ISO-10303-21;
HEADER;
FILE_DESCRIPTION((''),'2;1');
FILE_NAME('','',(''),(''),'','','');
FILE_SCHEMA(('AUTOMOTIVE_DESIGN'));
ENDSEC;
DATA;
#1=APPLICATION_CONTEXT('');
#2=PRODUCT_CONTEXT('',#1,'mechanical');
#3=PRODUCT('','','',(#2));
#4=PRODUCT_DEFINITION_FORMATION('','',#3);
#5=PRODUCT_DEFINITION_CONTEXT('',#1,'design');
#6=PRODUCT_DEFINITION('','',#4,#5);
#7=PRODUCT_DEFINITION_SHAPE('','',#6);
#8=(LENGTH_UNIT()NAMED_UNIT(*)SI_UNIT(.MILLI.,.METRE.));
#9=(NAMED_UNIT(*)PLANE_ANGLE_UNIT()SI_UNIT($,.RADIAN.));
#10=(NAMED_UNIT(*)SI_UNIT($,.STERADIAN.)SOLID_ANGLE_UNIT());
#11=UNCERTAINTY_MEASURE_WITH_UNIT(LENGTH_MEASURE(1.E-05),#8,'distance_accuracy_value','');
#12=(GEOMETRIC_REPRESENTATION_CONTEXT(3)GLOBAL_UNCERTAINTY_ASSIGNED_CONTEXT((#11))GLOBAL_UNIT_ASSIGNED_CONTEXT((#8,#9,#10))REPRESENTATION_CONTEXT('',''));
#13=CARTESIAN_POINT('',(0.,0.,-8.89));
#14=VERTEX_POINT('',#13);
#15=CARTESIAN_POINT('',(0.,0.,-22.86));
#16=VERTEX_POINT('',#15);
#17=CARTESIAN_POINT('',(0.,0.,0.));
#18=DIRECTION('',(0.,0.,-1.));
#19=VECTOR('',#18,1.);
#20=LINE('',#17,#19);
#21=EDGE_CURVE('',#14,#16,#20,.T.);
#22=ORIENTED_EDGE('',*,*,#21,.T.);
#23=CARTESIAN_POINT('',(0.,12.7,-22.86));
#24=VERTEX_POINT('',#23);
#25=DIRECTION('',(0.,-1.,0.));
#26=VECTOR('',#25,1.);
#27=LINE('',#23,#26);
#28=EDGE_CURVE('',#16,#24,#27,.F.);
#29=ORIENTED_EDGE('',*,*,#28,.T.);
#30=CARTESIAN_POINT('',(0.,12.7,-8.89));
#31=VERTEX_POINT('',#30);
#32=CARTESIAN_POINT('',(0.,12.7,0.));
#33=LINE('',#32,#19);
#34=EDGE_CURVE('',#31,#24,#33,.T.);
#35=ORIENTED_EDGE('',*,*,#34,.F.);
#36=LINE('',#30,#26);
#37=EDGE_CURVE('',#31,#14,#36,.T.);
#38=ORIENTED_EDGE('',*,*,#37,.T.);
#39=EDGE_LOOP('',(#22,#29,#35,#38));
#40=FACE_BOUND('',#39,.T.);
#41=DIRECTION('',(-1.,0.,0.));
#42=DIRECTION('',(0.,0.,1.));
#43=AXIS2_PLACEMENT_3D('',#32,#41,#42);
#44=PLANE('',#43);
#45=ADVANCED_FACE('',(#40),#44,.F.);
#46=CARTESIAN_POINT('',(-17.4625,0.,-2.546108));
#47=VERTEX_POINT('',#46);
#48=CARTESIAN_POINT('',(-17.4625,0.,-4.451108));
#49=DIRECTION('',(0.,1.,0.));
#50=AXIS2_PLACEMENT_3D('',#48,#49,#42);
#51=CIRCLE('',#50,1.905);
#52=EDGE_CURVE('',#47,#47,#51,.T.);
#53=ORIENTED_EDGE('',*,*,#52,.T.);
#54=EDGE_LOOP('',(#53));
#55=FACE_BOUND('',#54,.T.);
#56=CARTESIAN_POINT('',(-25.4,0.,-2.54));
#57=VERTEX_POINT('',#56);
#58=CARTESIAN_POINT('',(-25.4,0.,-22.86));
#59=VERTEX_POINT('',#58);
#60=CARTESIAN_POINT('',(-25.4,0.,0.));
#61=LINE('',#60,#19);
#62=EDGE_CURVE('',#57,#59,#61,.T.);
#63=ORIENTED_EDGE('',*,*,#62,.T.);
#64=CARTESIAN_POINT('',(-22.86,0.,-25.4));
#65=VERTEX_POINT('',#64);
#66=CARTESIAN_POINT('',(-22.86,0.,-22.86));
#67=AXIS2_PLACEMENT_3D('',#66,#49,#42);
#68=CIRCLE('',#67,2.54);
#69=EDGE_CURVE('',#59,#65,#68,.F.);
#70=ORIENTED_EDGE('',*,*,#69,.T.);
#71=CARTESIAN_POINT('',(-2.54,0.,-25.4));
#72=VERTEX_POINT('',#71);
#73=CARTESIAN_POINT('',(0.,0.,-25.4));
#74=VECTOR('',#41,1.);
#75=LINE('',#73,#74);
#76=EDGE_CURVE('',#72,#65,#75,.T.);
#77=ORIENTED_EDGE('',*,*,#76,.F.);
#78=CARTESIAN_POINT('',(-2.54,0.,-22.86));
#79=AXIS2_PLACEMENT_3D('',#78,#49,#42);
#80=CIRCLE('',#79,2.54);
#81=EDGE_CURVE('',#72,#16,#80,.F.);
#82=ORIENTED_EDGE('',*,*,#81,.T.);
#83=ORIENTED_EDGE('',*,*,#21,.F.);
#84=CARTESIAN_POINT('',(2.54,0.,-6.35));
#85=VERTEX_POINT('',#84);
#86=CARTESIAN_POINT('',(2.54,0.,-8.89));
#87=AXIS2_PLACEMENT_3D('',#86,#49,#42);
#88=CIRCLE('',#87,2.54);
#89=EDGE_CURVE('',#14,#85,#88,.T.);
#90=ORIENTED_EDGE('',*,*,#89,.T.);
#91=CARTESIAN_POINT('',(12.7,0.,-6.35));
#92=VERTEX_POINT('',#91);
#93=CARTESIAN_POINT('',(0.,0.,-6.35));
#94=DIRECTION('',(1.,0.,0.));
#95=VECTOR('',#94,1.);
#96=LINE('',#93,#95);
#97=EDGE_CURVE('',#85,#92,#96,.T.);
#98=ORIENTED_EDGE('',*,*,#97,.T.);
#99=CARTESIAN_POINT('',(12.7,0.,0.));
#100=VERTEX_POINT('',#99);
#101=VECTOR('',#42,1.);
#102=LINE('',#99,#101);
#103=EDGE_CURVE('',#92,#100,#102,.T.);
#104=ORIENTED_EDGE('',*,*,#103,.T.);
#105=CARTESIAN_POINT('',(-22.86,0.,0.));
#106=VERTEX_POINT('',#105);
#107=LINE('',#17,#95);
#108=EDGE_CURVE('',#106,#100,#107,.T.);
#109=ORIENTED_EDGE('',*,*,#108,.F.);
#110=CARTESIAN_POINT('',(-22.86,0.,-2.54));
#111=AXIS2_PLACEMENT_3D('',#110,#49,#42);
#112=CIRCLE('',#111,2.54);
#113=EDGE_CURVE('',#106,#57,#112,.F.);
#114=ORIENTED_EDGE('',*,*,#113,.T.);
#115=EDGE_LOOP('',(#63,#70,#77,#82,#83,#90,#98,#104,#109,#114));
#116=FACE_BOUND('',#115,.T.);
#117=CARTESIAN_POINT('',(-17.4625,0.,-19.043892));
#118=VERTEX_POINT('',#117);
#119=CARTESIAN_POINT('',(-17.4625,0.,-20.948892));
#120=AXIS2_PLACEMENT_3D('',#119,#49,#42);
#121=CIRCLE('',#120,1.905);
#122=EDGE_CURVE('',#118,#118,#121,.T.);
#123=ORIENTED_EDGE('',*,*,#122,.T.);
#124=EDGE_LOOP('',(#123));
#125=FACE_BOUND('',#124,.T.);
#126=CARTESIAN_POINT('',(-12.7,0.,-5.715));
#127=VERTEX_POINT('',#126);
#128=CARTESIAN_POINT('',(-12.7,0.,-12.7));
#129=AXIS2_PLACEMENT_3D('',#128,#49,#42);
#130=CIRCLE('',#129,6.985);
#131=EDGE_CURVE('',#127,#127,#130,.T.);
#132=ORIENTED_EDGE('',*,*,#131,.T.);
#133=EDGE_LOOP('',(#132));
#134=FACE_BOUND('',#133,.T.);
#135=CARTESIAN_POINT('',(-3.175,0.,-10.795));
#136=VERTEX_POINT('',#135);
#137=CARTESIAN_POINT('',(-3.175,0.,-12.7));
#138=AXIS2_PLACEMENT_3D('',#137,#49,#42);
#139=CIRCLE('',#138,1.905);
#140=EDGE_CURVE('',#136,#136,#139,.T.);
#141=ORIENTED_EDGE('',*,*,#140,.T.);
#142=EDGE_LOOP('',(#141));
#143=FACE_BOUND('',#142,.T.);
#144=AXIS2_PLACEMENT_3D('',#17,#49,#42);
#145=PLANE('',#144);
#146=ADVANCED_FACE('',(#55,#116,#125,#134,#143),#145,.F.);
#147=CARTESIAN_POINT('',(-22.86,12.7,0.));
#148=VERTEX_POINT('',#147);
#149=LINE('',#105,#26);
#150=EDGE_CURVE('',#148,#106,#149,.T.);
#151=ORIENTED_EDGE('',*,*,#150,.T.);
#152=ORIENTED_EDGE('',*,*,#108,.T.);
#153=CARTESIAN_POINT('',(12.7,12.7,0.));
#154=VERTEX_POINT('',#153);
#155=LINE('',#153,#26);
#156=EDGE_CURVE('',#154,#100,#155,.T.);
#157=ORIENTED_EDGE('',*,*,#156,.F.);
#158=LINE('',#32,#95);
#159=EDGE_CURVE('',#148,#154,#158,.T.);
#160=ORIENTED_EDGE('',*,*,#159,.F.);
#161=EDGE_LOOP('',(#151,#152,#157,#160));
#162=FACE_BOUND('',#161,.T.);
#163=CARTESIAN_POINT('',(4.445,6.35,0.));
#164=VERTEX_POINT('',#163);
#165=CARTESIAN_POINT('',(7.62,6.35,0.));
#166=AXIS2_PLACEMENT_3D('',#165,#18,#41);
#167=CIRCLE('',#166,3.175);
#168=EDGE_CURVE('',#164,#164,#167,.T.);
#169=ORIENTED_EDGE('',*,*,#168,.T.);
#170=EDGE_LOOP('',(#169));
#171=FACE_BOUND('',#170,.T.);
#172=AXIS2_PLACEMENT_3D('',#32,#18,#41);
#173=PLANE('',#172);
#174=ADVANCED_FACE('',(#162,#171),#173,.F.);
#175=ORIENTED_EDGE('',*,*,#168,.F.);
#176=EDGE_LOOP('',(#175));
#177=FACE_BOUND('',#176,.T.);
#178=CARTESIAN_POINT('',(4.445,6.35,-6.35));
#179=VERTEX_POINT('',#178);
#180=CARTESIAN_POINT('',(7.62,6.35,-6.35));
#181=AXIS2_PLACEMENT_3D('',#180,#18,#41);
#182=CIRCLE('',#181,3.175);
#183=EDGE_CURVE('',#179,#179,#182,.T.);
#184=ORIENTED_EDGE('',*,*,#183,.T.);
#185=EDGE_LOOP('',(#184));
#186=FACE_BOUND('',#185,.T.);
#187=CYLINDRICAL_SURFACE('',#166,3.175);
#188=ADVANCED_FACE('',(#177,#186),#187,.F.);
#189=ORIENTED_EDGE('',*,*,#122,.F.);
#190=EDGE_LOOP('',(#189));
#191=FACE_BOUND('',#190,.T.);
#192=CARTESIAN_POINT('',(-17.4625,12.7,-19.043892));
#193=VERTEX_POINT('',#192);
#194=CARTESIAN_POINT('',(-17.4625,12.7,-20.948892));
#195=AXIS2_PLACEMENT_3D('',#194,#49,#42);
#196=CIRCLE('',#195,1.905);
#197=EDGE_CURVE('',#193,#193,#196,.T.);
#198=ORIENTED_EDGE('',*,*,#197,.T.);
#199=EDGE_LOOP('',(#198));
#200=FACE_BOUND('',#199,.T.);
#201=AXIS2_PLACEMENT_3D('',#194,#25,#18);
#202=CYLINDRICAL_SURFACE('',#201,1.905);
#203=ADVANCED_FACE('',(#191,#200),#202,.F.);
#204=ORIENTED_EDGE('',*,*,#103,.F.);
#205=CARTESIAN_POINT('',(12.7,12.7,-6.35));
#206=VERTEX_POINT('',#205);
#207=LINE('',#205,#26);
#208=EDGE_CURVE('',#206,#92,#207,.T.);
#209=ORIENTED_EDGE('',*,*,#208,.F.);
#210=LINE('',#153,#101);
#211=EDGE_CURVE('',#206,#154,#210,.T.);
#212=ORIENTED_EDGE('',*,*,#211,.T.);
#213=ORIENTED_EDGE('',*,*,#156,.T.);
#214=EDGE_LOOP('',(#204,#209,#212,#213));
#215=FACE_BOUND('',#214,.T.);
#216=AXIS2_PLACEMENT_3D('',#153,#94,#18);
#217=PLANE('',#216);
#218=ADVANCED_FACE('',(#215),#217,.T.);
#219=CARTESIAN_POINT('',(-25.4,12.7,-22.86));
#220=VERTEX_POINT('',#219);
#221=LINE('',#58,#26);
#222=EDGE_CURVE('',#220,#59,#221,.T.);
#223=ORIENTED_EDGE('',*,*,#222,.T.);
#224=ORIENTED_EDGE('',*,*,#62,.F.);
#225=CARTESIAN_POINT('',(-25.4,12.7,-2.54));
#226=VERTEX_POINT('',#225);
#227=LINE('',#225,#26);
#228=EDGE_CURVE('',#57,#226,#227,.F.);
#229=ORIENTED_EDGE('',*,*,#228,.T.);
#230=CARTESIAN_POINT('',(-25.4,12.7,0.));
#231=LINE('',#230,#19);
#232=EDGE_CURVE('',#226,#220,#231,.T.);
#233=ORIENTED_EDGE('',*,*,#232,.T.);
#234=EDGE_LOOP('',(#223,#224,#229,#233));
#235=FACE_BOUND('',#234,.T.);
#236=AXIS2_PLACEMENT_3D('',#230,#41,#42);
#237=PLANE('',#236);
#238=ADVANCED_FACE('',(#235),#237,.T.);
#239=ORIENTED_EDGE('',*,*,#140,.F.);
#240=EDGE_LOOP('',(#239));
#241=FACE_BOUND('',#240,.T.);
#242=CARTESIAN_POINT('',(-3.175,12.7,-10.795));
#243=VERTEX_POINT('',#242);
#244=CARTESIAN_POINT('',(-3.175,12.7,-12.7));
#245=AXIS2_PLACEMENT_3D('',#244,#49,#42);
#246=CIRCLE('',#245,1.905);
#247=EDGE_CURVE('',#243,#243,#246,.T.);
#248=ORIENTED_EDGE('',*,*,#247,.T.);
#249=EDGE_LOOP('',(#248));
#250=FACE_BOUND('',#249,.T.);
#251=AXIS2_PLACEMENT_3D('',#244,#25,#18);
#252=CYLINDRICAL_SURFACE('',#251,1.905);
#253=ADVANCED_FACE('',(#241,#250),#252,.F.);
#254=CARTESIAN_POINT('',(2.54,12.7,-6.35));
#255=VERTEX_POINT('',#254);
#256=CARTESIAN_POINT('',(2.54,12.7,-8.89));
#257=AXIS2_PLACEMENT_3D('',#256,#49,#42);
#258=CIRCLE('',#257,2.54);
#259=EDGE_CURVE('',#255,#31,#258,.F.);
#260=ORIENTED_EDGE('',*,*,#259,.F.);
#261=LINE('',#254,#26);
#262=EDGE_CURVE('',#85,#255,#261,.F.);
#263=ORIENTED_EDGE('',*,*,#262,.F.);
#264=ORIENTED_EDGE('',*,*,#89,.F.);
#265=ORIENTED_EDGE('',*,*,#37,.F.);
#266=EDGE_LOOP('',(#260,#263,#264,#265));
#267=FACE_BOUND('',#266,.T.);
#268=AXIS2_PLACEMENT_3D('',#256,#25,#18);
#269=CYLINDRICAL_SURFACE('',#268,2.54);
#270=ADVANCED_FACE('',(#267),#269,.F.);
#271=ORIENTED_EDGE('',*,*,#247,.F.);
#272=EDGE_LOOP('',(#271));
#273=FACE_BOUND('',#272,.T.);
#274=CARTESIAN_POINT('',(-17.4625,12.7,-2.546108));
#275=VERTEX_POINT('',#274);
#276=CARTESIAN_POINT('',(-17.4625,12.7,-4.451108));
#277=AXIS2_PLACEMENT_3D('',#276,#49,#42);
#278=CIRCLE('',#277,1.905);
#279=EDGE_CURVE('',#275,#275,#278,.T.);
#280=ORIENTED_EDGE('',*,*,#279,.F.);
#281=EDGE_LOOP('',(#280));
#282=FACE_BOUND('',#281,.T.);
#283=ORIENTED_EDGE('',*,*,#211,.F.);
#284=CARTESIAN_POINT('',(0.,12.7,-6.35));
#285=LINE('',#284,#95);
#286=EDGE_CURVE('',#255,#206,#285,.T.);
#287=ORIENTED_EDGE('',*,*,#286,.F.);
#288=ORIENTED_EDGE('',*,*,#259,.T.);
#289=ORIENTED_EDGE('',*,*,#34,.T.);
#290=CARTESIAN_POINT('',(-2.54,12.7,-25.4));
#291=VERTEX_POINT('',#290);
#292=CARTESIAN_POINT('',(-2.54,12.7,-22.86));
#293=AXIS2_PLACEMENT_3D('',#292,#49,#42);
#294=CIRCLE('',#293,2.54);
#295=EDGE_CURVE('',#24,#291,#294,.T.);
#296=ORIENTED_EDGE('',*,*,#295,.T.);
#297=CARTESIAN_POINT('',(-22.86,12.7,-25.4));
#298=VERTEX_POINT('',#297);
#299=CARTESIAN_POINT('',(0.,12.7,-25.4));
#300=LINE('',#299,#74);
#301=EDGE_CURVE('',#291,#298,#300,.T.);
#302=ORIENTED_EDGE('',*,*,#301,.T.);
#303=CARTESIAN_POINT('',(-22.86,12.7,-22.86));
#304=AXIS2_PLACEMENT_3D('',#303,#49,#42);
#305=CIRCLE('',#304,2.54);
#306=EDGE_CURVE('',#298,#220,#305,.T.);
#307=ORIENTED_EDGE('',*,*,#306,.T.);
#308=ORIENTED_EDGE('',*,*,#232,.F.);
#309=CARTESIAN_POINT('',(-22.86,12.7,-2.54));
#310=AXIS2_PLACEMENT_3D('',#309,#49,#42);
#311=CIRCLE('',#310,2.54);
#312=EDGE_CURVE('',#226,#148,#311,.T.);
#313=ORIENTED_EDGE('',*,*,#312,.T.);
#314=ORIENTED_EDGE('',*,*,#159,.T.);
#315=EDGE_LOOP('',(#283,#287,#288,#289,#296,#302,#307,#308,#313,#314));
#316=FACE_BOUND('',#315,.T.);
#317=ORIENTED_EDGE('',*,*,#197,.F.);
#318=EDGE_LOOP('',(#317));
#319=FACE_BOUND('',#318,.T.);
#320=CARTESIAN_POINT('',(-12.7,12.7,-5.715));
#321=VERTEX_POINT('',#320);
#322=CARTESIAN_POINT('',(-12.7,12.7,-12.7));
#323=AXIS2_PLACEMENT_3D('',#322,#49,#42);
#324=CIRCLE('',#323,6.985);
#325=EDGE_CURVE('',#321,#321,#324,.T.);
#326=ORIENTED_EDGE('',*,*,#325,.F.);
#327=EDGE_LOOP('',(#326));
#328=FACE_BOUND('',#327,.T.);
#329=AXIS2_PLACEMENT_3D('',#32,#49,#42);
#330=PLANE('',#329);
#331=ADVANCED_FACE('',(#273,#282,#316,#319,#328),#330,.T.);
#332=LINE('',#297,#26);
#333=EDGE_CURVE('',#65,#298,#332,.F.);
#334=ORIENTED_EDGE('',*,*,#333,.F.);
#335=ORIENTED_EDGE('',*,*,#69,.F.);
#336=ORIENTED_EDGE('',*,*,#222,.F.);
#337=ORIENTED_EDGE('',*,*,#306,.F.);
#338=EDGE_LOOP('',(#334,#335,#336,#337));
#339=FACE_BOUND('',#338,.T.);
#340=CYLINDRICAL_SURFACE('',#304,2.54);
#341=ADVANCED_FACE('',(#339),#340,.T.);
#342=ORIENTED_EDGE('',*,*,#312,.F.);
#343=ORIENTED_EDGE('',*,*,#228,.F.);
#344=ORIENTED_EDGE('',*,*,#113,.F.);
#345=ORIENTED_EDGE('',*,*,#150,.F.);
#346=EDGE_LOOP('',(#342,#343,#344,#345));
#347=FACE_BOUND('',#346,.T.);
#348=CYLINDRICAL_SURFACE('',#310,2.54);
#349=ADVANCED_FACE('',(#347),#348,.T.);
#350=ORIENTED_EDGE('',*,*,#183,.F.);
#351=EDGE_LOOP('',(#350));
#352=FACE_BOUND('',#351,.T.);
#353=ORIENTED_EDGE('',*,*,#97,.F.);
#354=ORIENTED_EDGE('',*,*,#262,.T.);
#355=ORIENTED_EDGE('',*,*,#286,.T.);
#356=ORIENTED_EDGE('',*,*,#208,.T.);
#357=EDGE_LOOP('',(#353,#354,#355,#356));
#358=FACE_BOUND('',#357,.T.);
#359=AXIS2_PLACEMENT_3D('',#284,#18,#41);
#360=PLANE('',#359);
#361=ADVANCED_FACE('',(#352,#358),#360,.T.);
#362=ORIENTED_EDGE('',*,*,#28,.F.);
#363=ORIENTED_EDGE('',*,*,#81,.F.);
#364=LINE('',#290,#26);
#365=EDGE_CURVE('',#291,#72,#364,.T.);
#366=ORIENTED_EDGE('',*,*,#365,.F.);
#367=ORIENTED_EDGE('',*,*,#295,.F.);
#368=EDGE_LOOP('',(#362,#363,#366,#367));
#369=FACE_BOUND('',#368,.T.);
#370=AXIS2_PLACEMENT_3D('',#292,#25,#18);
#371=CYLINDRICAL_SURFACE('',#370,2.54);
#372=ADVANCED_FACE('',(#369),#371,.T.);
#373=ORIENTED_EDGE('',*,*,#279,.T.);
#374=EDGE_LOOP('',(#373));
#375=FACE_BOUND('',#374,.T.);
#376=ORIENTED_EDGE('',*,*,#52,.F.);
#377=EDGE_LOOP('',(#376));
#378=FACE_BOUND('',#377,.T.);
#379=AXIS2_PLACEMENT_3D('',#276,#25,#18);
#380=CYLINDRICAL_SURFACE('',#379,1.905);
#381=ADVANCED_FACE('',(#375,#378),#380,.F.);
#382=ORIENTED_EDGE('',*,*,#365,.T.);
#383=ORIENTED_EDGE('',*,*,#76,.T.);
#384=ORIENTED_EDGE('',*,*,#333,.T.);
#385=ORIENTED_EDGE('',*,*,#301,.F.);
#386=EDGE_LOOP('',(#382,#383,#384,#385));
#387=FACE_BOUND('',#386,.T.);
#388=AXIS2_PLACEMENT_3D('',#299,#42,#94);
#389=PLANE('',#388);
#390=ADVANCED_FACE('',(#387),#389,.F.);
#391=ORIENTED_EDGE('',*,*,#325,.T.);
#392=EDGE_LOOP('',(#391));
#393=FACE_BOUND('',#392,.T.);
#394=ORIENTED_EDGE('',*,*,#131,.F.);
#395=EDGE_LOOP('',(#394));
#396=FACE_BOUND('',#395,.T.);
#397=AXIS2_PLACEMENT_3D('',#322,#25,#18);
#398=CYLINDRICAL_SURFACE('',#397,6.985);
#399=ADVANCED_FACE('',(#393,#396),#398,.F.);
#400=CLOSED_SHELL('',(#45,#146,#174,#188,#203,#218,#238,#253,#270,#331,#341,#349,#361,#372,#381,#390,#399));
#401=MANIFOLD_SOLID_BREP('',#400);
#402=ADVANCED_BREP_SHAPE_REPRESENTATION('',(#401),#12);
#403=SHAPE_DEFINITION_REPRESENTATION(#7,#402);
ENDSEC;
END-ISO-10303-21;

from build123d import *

# Parameters (mm, degrees)
SKETCH1_R           = 1.905
SKETCH1_R_2         = 6.985
BOSS_EXTRUDE1_DEPTH = 12.7
FILLET1_R           = 2.54
SKETCH2_R           = 3.175
CUT_EXTRUDE1_DEPTH  = 7.35


with BuildPart() as part:
    # Sketch1 → Boss-Extrude1 (new body)
    with BuildSketch(Plane(origin=(0, 0, 0), x_dir=(1, 0, 0), z_dir=(0, 1, 0))):
        Polygon((-25.4, 0), (12.7, 0), (12.7, 6.35), (0, 6.35), (0, 25.4), (-25.4, 25.4), align=None)
        with Locations((-17.4625, 4.451108029)):
            Circle(SKETCH1_R, mode=Mode.SUBTRACT)
        with Locations((-3.175, 12.7)):
            Circle(SKETCH1_R, mode=Mode.SUBTRACT)
        with Locations((-12.7, 12.7)):
            Circle(SKETCH1_R_2, mode=Mode.SUBTRACT)
        with Locations((-17.4625, 20.948891971)):
            Circle(SKETCH1_R, mode=Mode.SUBTRACT)
    extrude(amount=BOSS_EXTRUDE1_DEPTH)

    # Fillet1
    fillet1_edges = [part.edges().sort_by_distance(p)[0] for p in [
        (0, 6.35, -6.35),
        (0, 6.35, -25.4),
        (-25.4, 6.35, -25.4),
        (-25.4, 6.35, 0),
    ]]
    fillet(fillet1_edges, radius=FILLET1_R)

    # Sketch2 → Cut-Extrude1 (cut, through all)
    with BuildSketch(Plane(origin=(0, 0, -6.35), x_dir=(-1, 0, 0), z_dir=(0, 0, -1))):
        with Locations((-7.62, 6.35)):
            Circle(SKETCH2_R)
    extrude(amount=-CUT_EXTRUDE1_DEPTH, mode=Mode.SUBTRACT)


solid = part.part
